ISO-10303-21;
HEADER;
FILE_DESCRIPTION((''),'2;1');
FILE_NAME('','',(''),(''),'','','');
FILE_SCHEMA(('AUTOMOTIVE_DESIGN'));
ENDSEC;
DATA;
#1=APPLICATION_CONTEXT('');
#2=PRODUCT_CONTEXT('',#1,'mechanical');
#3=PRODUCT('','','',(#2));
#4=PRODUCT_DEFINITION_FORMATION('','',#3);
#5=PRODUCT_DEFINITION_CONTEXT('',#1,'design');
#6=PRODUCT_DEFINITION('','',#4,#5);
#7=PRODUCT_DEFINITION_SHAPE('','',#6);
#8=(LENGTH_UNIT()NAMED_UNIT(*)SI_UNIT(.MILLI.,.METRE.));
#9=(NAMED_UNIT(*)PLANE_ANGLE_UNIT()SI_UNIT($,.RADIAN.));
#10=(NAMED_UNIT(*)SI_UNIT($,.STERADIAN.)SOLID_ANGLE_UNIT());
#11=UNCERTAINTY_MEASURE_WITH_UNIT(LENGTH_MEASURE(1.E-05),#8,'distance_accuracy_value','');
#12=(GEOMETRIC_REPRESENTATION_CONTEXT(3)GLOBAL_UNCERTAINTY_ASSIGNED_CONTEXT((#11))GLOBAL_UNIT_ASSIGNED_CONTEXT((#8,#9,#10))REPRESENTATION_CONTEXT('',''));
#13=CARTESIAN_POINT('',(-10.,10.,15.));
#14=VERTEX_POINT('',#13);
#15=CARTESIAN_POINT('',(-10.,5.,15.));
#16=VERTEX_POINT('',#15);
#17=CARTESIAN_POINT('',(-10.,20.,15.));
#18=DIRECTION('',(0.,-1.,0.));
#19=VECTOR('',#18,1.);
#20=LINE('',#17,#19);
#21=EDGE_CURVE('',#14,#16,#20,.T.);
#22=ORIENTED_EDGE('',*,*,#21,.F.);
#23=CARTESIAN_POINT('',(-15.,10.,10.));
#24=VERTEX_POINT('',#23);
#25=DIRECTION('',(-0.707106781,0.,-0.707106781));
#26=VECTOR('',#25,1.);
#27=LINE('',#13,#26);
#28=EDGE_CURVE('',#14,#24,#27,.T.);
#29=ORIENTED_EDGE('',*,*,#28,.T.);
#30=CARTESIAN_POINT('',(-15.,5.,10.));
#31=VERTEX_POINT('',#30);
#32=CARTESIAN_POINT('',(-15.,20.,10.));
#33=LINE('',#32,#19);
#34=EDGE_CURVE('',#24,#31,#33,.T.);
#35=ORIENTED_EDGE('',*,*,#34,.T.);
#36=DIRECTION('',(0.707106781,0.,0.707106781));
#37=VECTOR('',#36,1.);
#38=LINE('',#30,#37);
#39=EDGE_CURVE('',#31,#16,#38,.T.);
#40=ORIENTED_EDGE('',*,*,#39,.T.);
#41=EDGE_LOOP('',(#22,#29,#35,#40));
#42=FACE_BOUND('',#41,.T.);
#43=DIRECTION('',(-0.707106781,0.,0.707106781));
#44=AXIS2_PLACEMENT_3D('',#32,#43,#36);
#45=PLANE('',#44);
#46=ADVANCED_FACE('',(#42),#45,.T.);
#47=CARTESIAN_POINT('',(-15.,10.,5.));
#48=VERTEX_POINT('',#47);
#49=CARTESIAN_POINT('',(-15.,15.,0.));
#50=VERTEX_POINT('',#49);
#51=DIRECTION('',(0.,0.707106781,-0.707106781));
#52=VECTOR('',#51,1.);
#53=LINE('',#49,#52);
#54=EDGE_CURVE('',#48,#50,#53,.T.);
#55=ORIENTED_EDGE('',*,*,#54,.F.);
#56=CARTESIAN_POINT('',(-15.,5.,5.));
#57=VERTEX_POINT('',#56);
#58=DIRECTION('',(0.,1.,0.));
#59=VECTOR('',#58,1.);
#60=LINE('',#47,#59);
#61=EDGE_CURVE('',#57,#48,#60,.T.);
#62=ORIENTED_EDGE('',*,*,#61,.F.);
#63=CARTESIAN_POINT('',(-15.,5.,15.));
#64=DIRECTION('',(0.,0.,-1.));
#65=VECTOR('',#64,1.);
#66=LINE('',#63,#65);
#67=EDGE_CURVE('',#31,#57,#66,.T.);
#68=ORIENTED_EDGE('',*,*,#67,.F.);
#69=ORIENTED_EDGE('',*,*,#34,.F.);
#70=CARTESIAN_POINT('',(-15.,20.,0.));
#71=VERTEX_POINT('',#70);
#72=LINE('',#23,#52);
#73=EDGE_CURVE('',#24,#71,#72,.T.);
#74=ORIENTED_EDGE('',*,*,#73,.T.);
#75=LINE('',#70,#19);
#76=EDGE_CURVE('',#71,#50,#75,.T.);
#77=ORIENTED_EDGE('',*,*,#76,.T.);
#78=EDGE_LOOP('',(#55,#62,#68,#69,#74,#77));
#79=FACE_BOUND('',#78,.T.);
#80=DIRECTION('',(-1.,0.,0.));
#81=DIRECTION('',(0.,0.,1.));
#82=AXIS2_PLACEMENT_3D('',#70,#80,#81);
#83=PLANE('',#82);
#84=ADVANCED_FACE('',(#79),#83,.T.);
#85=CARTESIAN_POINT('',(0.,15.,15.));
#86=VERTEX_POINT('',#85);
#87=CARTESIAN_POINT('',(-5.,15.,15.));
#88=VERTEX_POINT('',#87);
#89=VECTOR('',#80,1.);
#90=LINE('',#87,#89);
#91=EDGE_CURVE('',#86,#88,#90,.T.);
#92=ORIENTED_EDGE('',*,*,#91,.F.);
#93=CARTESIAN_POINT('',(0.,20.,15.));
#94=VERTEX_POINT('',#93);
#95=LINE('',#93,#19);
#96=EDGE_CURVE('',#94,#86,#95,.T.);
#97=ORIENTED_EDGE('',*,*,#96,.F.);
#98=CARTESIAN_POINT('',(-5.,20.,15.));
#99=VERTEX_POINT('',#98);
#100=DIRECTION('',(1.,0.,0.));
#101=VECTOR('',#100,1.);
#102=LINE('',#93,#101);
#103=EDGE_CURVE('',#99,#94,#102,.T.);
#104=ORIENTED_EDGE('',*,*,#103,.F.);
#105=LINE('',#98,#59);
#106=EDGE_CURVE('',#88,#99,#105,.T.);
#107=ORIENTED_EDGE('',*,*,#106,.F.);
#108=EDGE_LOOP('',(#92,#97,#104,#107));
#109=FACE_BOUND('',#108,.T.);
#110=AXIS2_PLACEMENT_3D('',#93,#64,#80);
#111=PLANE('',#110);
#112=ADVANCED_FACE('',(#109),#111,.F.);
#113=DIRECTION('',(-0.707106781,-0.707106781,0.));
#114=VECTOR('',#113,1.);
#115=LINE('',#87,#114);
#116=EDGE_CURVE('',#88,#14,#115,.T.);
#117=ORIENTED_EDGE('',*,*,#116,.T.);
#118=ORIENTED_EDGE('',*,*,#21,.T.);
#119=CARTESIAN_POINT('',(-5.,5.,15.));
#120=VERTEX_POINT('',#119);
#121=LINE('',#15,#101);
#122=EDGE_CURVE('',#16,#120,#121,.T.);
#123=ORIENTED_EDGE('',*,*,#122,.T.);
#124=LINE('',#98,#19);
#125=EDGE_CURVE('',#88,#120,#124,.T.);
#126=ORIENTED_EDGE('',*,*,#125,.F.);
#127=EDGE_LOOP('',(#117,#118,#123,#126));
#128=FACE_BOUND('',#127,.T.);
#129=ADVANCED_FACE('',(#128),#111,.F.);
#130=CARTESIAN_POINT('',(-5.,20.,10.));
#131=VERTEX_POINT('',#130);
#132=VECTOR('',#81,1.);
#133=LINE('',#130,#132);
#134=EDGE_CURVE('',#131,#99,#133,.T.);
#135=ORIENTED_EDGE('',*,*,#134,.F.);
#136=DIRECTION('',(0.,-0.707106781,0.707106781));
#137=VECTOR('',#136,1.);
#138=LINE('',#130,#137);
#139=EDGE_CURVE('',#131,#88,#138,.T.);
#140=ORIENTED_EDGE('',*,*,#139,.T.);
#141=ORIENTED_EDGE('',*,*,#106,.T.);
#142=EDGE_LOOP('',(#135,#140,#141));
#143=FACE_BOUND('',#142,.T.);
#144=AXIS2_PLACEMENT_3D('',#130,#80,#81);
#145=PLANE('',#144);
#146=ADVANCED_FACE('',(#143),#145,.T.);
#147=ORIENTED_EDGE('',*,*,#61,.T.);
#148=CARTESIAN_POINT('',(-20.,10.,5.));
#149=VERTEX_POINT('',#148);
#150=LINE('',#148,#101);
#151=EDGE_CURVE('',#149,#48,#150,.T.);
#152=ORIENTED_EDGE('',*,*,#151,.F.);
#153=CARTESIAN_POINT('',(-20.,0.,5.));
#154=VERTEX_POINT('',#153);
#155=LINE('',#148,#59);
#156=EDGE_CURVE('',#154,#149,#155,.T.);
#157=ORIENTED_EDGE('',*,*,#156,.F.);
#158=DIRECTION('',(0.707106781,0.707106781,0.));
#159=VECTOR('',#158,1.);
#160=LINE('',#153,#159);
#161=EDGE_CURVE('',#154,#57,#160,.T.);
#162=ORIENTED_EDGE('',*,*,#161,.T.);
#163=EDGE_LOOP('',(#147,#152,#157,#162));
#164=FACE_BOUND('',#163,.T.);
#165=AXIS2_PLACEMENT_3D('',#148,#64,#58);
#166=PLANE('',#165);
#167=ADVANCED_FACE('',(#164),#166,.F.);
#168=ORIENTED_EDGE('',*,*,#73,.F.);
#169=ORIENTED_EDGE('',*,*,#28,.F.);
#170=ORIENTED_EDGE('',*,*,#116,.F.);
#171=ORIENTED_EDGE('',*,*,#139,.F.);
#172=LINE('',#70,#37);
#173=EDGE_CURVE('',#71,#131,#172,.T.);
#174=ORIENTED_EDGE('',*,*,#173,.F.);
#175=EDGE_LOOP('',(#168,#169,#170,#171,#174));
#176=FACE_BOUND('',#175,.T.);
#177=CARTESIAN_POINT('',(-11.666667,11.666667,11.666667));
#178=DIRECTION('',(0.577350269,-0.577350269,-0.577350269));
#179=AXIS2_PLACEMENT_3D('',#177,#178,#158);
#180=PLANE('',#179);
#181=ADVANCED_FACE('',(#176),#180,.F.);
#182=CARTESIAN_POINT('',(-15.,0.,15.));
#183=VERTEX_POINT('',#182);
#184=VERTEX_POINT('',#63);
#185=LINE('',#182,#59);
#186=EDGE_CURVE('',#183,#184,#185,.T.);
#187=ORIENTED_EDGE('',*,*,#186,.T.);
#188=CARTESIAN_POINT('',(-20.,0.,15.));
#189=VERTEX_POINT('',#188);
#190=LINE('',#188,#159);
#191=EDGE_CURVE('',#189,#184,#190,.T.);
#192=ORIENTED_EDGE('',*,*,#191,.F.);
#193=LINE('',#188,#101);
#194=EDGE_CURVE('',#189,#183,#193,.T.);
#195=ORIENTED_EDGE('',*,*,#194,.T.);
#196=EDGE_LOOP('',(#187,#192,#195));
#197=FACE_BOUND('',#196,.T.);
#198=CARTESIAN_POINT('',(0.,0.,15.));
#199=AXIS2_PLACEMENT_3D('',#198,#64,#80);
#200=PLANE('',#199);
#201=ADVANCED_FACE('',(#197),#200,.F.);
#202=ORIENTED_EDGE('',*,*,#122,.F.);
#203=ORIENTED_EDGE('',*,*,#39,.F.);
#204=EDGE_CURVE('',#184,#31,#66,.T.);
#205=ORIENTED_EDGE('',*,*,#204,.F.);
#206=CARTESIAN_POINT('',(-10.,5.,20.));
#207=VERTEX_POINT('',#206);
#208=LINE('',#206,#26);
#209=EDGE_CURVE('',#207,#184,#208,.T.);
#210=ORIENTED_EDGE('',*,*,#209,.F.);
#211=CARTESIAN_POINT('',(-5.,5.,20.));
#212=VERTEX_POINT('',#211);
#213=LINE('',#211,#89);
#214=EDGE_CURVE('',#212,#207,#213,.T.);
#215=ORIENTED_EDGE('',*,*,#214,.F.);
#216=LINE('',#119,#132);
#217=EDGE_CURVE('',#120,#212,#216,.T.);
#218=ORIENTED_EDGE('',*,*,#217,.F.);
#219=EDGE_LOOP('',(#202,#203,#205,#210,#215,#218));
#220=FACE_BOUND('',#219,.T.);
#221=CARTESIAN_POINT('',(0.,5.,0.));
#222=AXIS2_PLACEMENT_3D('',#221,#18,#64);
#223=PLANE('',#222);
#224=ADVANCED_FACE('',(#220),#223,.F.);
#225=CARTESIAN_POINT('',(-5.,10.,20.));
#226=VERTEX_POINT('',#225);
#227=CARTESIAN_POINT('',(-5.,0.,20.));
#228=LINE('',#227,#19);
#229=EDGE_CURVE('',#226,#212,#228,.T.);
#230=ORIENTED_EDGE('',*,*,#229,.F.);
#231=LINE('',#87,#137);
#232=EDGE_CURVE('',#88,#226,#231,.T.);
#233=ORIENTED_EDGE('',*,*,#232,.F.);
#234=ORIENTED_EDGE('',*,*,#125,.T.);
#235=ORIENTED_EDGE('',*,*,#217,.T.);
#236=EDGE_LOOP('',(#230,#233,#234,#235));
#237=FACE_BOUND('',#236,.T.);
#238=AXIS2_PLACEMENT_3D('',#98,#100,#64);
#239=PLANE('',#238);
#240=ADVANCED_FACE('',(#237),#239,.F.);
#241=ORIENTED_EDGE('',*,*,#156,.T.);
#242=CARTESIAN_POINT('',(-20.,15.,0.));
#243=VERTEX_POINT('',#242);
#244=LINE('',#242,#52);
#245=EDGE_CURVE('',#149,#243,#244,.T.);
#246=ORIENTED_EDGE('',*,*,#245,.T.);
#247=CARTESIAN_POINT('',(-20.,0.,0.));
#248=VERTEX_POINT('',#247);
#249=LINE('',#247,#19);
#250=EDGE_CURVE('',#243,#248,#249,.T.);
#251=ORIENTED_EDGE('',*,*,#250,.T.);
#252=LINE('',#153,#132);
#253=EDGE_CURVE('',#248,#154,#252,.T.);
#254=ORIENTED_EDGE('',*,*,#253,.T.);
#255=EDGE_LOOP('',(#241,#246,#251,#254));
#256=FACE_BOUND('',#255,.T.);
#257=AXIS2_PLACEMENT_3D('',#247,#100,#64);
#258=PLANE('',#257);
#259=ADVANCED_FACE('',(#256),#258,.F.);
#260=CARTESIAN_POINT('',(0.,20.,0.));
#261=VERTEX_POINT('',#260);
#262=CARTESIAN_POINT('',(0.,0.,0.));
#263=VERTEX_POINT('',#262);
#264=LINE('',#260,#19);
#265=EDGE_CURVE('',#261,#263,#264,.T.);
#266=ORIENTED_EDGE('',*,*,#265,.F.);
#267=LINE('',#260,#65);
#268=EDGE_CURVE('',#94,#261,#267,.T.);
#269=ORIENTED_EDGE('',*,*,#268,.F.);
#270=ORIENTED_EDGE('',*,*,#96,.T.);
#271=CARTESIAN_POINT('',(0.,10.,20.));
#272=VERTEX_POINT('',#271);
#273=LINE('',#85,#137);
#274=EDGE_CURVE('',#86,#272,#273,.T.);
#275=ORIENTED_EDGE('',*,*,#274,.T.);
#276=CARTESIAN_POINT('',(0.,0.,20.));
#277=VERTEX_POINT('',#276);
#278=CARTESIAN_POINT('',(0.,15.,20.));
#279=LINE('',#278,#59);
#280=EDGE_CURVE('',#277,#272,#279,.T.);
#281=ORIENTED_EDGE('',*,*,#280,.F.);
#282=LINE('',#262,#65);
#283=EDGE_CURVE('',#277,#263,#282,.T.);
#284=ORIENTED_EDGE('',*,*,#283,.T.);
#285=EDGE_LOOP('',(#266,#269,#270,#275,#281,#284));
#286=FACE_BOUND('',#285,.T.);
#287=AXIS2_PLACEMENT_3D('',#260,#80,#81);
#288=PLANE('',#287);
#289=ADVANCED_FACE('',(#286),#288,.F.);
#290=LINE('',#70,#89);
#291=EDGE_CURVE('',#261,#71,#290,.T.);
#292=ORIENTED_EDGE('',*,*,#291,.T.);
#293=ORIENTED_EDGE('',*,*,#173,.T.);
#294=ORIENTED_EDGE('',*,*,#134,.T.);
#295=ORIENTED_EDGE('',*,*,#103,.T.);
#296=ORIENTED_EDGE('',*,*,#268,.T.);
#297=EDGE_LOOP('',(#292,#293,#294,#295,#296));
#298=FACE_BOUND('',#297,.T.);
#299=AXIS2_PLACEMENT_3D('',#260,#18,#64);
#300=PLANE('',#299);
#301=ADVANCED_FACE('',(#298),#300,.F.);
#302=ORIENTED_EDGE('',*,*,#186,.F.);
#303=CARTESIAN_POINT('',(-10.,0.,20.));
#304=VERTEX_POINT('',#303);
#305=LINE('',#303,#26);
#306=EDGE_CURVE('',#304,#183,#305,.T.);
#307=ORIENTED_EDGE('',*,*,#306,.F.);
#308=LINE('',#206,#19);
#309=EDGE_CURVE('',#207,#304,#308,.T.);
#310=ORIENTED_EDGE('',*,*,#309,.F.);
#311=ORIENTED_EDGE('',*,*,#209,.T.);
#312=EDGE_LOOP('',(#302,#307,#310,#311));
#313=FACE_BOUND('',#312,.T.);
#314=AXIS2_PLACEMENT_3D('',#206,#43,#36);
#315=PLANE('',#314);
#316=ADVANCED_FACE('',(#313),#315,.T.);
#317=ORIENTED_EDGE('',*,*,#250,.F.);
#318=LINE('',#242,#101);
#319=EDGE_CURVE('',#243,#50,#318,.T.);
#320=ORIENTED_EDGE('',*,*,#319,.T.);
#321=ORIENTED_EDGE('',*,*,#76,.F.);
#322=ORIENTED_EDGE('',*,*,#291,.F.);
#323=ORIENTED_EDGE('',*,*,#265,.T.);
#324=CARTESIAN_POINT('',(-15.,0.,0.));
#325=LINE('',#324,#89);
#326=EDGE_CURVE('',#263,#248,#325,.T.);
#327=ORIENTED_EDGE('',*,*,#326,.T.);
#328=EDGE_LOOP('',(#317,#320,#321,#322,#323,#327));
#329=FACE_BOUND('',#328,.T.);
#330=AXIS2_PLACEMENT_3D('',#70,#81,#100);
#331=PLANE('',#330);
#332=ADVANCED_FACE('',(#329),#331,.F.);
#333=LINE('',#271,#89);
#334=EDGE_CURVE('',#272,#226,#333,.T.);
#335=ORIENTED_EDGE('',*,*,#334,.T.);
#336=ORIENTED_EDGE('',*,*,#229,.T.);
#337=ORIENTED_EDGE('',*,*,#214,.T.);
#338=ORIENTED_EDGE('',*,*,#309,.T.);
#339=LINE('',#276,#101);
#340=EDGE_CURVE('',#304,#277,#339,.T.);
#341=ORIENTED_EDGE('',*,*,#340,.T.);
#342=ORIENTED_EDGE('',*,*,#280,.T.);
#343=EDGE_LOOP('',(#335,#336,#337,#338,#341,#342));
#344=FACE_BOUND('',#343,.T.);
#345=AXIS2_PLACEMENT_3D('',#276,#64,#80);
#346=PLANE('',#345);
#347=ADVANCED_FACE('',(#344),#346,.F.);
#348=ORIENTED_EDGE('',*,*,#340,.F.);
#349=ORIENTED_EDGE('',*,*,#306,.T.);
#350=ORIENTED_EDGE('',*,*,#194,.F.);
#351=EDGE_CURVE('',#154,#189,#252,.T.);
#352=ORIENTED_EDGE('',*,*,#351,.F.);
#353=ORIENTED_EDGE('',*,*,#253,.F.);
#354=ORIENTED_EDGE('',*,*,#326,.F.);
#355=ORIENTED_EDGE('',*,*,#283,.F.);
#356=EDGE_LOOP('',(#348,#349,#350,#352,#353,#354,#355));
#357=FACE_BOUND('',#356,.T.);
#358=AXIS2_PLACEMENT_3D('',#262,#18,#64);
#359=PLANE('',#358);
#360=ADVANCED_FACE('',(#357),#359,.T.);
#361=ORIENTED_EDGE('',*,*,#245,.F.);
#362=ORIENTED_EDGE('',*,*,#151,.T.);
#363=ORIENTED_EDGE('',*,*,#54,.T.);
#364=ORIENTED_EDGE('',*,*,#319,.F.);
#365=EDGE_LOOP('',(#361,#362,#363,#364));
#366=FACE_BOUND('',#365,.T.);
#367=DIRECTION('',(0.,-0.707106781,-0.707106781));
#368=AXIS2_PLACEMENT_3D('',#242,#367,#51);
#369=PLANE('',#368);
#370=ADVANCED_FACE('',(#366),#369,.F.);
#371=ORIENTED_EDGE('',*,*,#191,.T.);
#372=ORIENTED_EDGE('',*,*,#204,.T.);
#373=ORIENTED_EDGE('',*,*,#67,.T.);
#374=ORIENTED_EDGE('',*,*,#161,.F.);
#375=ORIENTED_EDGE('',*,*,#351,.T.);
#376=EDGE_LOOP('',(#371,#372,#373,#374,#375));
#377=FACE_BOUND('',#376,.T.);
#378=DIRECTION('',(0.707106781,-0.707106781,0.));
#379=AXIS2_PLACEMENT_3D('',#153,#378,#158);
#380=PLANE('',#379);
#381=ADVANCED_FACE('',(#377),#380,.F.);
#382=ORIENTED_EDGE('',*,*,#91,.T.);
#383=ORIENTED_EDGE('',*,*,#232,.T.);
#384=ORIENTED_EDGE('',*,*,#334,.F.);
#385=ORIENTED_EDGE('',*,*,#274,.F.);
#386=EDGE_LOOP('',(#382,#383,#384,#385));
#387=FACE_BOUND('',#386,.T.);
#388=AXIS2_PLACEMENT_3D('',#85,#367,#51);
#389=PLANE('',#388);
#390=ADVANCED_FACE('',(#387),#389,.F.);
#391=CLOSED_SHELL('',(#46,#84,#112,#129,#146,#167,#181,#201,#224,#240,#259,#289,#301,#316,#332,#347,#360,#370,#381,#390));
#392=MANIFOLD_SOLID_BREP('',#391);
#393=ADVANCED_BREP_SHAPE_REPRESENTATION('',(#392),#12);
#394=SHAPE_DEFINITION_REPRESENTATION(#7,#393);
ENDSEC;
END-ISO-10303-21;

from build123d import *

# Parameters (mm, degrees)
BOSS_EXTRUDE1_DEPTH = 20
SKETCH2_W           = 5
SKETCH2_H           = 15
BOSS_EXTRUDE3_DEPTH = 5
CUT_EXTRUDE2_DEPTH  = 5
BOSS_EXTRUDE4_DEPTH = 20
CUT_EXTRUDE3_DEPTH  = 37
BOSS_EXTRUDE5_DEPTH = 5
SKETCH7_W           = 5
SKETCH7_H           = 5
BOSS_EXTRUDE6_DEPTH = 10
CUT_EXTRUDE4_DEPTH  = 10
BOSS_EXTRUDE7_DEPTH = 5


with BuildPart() as part:
    # Sketch1 → Boss-Extrude1 (new body)
    with BuildSketch(Plane(origin=(0, 0, 0), x_dir=(1, 0, 0), z_dir=(0, 1, 0))):
        Polygon((-15, 0), (0, 0), (0, -15), (-5, -15), (-5, -10), align=None)
    extrude(amount=BOSS_EXTRUDE1_DEPTH)

    # Sketch2 → Boss-Extrude3 (add)
    with BuildSketch(Plane.XY.offset(15)):
        with Locations((-2.5, 7.5)):
            Rectangle(SKETCH2_W, SKETCH2_H)
    extrude(amount=BOSS_EXTRUDE3_DEPTH)

    # Sketch4 → Cut-Extrude2 (cut)
    with BuildSketch(Plane.ZY.offset(5)):
        Polygon((15, 15), (20, 10), (20, 15), align=None)
    extrude(amount=-CUT_EXTRUDE2_DEPTH, mode=Mode.SUBTRACT)

    # Sketch5 → Boss-Extrude4 (add)
    with BuildSketch(Plane(origin=(0, 0, 0), x_dir=(-1, 0, 0), z_dir=(0, -1, 0))):
        Polygon((15, 0), (15, -10), (10, -15), (5, -15), (5, -10), align=None)
    extrude(amount=-BOSS_EXTRUDE4_DEPTH)

    # 3DSketch1 → Cut-Extrude3 (cut, along a direction that is not the sketch's normal)
    with BuildSketch(Plane(origin=(-15, 20, 0), x_dir=(0.5345224838248489, -0.26726124191242445, 0.8017837257372732), z_dir=(0.5773502691896253, -0.5773502691896264, -0.5773502691896257))):
        Polygon((0, 0), (13.363062096, -4.629100499), (18.708286934, 0), (17.371980724, 6.943650748), (10.690449676, 9.258200998), align=None)
    extrude(amount=-CUT_EXTRUDE3_DEPTH, dir=(0, 0, -1), mode=Mode.SUBTRACT)

    # Sketch6 → Boss-Extrude5 (add)
    with BuildSketch(Plane.ZY.offset(15)):
        Polygon((0, 0), (0, 15), (5, 10), (5, 0), align=None)
    extrude(amount=BOSS_EXTRUDE5_DEPTH)

    # Sketch7 → Boss-Extrude6 (add)
    with BuildSketch(Plane.XY.offset(5)):
        with Locations((-17.5, 2.5)):
            Rectangle(SKETCH7_W, SKETCH7_H)
    extrude(amount=BOSS_EXTRUDE6_DEPTH)

    # Sketch8 → Cut-Extrude4 (cut)
    with BuildSketch(Plane.XY.offset(15)):
        Polygon((-20, 0), (-15, 5), (-20, 5), align=None)
    extrude(amount=-CUT_EXTRUDE4_DEPTH, mode=Mode.SUBTRACT)

    # Sketch9 → Boss-Extrude7 (add)
    with BuildSketch(Plane(origin=(0, 0, 0), x_dir=(-1, 0, 0), z_dir=(0, -1, 0))):
        Polygon((15, -15), (15, -10), (10, -15), (5, -15), (5, -20), (10, -20), align=None)
    extrude(amount=-BOSS_EXTRUDE7_DEPTH)


solid = part.part
